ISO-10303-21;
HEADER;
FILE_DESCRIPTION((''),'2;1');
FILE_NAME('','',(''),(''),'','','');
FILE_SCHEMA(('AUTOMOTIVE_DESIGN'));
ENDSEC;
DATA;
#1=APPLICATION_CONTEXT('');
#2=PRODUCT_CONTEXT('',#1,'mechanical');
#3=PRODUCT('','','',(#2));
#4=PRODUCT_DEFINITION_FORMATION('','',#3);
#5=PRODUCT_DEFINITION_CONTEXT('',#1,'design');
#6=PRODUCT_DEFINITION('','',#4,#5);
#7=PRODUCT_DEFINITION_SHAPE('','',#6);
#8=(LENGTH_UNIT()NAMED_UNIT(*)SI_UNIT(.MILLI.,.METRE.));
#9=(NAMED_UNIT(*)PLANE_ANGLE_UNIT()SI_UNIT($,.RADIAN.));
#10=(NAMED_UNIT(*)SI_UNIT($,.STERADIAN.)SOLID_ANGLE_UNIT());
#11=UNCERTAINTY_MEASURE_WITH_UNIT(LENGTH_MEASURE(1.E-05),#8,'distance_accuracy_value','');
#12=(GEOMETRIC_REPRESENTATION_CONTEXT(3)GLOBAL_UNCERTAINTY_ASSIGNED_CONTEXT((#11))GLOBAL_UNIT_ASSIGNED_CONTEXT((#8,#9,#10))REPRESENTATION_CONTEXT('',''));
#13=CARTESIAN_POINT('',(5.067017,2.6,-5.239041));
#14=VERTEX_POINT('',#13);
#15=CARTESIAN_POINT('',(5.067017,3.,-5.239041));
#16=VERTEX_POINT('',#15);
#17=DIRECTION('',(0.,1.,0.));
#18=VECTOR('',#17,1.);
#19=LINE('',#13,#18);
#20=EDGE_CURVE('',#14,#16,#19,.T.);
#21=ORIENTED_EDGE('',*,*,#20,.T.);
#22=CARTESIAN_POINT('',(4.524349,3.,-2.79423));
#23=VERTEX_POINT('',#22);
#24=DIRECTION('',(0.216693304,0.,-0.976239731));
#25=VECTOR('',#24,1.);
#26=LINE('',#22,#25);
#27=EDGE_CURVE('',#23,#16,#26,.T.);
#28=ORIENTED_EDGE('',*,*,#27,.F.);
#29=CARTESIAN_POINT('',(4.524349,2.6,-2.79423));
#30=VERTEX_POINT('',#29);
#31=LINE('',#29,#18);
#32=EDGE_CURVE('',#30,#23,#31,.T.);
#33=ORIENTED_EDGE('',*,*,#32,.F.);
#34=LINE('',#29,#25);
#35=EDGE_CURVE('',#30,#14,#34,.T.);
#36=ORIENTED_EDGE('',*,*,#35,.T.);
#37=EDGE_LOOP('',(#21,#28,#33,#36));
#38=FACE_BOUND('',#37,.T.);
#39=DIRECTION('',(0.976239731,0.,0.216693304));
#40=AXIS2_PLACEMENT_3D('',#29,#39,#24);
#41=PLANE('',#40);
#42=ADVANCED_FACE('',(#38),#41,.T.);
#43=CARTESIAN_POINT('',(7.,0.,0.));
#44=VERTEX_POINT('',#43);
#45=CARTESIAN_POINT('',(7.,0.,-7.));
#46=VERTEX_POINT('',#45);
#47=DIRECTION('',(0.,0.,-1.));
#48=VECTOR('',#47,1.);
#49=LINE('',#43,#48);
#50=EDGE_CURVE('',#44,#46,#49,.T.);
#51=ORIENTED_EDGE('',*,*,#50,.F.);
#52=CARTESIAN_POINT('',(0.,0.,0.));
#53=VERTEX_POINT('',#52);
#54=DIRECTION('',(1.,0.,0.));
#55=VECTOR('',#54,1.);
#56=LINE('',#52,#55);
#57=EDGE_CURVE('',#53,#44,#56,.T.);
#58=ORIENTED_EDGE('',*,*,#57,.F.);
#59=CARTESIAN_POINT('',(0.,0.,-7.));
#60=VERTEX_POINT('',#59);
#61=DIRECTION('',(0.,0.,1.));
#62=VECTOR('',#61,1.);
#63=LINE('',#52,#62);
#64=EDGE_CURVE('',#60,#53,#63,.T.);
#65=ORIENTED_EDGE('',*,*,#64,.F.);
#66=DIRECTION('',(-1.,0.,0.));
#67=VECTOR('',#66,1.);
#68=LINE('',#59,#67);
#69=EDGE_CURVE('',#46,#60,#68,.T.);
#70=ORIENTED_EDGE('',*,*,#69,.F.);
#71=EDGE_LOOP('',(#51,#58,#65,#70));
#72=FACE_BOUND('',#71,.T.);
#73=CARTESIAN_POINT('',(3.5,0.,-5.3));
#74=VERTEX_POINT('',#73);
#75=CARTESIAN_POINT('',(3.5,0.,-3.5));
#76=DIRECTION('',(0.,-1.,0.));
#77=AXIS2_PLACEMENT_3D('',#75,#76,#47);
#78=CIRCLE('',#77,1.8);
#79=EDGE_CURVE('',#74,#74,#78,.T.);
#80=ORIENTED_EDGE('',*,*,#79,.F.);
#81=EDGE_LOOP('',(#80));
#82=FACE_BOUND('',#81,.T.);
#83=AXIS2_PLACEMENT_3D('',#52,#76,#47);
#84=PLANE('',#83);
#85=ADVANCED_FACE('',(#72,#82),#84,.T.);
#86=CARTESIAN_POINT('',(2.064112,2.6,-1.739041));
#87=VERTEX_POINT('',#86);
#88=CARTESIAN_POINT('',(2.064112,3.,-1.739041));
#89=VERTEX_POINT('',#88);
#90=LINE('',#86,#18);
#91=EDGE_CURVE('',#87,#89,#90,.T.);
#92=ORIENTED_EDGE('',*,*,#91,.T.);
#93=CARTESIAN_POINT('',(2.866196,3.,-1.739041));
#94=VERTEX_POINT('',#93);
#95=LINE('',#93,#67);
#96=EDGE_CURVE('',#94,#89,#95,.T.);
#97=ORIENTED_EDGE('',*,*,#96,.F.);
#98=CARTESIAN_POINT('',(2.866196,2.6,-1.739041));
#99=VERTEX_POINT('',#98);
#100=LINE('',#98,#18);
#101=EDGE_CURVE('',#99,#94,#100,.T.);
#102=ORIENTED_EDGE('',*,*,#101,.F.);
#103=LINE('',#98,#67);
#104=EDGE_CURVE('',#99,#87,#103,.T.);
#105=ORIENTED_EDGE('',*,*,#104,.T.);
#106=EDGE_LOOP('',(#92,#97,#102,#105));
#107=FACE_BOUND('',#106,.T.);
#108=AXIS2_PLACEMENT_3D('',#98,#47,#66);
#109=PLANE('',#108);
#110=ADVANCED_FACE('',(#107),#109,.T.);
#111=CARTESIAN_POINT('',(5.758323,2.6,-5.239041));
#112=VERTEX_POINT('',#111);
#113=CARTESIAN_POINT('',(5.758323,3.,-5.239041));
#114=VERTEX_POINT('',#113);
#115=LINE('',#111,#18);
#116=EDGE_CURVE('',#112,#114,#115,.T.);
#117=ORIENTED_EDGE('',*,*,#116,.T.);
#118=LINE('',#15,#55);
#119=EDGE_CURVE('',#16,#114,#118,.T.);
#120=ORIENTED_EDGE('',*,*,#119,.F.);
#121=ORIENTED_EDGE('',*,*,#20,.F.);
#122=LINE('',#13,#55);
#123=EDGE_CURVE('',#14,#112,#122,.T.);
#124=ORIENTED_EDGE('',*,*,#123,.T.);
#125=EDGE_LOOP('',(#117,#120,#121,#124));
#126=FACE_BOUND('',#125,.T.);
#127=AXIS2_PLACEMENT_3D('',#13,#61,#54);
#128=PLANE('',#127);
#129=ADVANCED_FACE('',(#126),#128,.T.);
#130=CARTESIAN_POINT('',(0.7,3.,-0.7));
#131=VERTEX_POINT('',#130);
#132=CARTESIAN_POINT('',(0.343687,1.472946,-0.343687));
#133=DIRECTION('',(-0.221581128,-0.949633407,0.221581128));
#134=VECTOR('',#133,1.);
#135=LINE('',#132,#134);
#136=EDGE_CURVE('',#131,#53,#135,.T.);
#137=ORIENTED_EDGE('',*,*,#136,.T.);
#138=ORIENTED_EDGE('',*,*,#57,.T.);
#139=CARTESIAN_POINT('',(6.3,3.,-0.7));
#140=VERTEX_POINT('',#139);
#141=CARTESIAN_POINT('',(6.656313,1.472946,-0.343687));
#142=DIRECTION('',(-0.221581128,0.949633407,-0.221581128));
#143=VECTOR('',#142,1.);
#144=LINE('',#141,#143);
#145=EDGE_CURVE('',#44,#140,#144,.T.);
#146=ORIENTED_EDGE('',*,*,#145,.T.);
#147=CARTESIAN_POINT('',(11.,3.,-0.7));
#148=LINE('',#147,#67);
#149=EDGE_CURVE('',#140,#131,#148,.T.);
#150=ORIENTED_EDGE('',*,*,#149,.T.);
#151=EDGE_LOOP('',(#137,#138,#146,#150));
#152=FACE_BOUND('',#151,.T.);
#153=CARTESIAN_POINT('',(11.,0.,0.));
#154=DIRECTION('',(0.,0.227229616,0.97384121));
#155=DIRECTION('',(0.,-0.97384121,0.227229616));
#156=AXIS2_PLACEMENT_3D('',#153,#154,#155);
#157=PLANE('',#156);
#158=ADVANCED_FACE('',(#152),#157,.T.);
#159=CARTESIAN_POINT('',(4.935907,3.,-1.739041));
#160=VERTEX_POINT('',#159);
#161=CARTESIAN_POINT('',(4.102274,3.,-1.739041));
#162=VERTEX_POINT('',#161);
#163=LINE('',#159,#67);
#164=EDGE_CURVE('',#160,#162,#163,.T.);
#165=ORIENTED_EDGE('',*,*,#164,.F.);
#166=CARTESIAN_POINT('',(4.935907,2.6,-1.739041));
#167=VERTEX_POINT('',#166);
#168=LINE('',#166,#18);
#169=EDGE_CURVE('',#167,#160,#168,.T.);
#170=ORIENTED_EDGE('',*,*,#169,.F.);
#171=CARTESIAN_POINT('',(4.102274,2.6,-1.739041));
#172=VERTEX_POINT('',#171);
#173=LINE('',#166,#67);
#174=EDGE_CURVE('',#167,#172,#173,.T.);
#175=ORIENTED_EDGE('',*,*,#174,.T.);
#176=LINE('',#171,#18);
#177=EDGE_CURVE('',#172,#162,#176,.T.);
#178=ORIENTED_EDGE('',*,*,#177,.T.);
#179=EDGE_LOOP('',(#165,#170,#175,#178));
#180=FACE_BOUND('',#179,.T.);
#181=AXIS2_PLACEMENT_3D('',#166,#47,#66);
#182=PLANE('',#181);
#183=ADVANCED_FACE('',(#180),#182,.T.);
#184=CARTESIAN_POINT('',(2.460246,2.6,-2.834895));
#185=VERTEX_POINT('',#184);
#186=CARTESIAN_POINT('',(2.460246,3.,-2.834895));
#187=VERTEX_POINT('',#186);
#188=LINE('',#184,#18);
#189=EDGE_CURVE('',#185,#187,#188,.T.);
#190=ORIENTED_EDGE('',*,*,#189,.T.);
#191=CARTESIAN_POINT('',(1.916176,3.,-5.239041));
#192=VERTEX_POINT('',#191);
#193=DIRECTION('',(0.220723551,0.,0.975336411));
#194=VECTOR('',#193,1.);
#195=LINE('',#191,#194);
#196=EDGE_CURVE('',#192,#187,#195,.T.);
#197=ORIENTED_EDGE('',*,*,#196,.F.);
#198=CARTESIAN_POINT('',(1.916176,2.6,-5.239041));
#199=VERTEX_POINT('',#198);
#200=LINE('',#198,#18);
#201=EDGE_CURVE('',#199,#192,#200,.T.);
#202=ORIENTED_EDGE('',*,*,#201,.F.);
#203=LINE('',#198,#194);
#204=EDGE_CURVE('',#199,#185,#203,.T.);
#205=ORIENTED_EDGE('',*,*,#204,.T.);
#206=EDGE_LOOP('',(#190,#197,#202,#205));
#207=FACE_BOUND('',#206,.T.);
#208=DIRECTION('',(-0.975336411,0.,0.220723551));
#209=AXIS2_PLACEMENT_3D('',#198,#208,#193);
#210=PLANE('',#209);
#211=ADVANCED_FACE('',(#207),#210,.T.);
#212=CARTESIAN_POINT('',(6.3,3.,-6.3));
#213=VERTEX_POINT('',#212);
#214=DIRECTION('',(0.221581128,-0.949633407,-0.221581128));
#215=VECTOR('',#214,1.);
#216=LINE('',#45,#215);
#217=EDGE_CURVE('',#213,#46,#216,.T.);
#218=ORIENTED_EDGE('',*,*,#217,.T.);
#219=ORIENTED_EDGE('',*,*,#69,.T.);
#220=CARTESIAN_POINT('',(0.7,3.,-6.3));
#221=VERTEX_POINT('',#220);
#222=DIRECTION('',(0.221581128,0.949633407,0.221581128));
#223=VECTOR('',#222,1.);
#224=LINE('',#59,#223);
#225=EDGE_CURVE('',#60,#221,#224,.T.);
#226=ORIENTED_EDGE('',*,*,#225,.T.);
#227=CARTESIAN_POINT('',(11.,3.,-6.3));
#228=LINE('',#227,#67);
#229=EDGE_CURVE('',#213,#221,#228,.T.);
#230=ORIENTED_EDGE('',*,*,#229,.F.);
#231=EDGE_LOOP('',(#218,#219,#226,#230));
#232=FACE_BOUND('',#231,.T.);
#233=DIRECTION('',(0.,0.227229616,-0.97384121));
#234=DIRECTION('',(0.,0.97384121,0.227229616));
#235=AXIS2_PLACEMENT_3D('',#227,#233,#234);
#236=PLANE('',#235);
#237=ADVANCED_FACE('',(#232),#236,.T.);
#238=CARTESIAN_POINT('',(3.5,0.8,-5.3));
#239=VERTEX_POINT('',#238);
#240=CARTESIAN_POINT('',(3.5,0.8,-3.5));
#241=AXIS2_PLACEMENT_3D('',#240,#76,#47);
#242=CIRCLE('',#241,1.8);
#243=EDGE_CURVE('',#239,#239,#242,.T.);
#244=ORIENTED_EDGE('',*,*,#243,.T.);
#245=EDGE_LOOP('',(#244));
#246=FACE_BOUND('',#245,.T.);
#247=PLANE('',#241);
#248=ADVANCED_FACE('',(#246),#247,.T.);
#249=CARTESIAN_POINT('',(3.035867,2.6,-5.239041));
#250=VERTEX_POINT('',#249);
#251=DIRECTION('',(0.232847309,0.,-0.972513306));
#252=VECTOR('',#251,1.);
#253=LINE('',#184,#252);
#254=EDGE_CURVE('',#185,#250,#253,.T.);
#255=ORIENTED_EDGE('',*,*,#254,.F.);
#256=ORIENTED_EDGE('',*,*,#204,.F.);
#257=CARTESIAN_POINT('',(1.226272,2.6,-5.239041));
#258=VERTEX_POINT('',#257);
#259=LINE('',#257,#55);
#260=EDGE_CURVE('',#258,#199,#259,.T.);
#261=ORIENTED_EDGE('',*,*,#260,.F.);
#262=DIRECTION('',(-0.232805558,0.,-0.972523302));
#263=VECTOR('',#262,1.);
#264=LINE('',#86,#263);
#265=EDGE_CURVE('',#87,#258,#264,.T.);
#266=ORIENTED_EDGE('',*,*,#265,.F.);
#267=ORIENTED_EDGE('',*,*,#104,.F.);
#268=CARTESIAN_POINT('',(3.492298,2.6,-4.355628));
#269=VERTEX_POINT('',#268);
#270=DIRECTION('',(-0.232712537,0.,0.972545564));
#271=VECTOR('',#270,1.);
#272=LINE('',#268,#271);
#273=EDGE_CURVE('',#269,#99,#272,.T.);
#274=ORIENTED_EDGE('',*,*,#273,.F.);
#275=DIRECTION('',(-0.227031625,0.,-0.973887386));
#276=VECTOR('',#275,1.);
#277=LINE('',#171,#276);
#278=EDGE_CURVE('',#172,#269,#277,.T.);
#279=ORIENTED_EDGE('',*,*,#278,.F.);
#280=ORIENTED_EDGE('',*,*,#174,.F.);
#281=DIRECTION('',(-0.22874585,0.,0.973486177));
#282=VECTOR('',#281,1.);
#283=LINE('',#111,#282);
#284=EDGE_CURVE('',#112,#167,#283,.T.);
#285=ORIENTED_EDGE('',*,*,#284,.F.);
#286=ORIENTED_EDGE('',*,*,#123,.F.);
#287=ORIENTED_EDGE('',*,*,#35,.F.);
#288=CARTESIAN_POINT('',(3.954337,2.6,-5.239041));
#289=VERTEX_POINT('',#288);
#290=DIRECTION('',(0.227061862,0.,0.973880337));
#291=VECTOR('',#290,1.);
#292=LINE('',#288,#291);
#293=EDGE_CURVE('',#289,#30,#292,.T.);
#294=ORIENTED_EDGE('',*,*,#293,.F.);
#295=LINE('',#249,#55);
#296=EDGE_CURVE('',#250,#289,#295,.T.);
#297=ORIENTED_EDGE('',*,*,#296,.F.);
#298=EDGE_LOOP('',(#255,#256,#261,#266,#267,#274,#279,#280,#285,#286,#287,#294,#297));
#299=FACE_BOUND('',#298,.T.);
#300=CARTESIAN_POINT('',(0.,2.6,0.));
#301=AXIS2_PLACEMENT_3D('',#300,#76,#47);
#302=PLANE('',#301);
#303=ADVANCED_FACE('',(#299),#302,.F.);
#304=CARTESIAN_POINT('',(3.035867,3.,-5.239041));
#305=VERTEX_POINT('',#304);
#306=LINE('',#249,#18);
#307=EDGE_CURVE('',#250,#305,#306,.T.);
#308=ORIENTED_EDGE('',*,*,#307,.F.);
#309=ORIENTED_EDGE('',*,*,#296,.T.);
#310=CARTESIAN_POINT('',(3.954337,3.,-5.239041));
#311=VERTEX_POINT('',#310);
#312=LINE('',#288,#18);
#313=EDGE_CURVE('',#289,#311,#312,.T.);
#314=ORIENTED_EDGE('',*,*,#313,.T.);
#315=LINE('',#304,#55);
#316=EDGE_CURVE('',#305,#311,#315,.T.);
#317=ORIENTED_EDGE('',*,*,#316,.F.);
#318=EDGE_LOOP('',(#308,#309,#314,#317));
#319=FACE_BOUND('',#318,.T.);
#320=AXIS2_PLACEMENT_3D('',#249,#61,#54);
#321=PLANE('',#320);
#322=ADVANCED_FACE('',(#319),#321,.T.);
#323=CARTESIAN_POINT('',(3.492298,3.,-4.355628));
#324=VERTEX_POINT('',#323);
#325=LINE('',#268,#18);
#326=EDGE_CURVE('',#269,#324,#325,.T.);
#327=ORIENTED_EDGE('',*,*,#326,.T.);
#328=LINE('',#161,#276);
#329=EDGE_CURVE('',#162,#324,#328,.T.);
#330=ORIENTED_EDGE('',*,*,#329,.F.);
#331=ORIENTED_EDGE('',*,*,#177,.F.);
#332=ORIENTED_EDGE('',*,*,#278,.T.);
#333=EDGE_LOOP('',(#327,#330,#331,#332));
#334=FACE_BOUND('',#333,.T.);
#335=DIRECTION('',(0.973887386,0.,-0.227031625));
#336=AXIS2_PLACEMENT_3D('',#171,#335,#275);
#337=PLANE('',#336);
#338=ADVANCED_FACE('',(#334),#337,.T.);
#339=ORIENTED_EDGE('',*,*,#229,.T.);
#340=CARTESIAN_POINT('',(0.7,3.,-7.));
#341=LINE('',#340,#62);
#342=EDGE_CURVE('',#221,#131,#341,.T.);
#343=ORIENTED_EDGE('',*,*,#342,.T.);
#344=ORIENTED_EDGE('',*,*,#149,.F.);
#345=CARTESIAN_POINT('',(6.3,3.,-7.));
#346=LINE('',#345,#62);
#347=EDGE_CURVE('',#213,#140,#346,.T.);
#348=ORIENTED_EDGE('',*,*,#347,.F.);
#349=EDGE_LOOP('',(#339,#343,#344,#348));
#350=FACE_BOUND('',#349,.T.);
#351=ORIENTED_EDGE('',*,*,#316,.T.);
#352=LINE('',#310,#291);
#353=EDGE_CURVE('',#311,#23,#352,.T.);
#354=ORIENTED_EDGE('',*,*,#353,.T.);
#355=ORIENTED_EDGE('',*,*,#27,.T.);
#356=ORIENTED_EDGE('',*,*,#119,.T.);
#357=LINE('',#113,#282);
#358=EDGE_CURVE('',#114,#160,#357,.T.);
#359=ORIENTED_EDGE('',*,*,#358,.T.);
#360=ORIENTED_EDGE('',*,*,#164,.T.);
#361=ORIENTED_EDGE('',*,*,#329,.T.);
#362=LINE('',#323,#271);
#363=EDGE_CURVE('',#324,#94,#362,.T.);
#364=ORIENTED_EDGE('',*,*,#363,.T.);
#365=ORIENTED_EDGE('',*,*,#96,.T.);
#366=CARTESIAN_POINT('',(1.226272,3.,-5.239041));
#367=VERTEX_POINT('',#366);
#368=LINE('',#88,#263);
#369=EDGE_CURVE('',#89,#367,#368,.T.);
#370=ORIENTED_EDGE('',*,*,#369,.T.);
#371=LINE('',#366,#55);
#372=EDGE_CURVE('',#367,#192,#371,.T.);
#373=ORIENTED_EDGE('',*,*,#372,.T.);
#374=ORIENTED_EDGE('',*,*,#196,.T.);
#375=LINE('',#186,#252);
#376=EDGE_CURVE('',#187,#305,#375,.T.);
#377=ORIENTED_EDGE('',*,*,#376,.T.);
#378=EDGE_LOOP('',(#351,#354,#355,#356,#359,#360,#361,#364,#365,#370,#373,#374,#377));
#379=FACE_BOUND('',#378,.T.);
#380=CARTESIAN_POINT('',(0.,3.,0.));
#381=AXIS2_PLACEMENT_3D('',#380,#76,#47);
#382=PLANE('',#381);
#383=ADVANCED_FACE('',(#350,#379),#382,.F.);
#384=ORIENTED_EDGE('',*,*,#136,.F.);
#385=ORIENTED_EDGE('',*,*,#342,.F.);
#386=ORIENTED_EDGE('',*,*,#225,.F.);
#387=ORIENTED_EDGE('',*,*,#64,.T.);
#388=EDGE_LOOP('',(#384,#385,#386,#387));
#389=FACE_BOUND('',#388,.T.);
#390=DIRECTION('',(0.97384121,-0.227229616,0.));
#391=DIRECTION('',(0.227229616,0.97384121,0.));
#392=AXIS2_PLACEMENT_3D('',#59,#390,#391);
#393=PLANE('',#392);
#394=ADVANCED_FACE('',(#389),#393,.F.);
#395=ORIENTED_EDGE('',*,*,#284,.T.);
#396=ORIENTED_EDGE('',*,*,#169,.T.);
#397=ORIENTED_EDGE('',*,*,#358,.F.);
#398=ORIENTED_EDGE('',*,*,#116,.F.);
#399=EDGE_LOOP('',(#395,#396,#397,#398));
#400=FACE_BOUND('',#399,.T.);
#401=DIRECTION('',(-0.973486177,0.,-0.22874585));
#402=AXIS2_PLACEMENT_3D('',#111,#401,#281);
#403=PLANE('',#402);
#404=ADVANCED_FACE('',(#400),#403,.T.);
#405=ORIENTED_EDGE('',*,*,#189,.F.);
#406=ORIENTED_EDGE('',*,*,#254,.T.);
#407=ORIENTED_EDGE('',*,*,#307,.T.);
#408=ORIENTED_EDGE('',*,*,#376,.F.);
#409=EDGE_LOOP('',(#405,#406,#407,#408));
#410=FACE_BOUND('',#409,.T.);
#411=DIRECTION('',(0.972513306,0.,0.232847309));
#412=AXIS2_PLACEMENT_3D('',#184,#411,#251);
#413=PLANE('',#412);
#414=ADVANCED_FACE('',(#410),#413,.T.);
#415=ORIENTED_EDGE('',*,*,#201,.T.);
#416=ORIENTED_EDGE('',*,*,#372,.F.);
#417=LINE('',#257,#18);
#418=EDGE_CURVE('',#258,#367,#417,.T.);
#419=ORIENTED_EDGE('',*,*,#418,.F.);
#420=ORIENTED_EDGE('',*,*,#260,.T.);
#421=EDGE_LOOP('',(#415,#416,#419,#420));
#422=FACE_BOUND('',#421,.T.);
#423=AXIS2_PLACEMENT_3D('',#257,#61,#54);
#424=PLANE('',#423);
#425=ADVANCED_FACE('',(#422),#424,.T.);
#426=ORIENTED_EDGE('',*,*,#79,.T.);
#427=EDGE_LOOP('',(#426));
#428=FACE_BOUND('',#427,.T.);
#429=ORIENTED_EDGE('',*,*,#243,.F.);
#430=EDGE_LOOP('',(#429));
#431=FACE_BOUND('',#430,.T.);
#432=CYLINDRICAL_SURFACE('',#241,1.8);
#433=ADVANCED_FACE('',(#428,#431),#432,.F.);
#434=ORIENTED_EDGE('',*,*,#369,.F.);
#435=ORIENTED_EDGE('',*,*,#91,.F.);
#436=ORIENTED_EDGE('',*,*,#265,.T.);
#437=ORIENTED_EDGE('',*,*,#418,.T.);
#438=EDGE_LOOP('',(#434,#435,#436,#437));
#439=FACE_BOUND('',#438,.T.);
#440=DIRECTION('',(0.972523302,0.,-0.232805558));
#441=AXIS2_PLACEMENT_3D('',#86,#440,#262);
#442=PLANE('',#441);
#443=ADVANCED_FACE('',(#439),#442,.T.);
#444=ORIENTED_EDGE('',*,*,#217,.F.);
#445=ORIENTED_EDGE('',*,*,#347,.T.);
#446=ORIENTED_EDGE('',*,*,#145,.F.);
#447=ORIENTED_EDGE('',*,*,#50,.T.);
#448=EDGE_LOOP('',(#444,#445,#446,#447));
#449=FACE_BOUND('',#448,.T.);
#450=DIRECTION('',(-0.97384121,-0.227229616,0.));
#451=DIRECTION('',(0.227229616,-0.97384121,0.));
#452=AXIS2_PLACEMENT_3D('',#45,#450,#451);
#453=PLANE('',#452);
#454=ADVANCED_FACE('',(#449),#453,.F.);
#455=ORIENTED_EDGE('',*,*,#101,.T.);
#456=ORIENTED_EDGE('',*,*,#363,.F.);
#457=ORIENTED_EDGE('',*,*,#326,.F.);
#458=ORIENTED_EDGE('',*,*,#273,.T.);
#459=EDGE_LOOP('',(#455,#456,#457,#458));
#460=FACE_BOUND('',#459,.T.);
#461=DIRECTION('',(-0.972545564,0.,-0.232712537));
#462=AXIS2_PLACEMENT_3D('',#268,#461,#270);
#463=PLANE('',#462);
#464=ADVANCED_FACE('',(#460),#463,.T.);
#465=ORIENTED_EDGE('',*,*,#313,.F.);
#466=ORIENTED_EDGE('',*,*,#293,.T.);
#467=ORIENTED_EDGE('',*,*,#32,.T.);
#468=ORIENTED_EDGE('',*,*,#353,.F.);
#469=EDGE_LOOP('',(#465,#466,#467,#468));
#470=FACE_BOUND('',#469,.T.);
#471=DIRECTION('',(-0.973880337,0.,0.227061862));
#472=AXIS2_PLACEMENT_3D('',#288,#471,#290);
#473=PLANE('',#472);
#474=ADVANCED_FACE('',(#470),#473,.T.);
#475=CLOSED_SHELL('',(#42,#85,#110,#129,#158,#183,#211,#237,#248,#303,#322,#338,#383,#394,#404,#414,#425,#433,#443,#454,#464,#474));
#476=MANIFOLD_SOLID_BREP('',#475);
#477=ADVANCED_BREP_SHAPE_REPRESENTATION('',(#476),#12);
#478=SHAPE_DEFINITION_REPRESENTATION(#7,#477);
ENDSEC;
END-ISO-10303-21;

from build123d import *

# Parameters (mm, degrees)
SKETCH1_W           = 7
SKETCH1_H           = 7
BOSS_EXTRUDE1_DEPTH = 3
CUT_EXTRUDE1_DEPTH  = 7
CUT_EXTRUDE2_DEPTH  = 11
SKETCH4_R           = 1.8
CUT_EXTRUDE3_DEPTH  = 0.8
CUT_EXTRUDE4_DEPTH  = 0.4


with BuildPart() as part:
    # Sketch1 → Boss-Extrude1 (new body)
    with BuildSketch(Plane(origin=(0, 0, 0), x_dir=(1, 0, 0), z_dir=(0, 1, 0))):
        with Locations((3.5, 3.5)):
            Rectangle(SKETCH1_W, SKETCH1_H)
    extrude(amount=BOSS_EXTRUDE1_DEPTH)

    # Sketch2 → Cut-Extrude1 (cut)
    with BuildSketch(Plane.XY):
        Polygon((0, 0), (0.7, 3), (0, 3), align=None)
        Polygon((7, 0), (6.3, 3), (7, 3), align=None)
    extrude(amount=-CUT_EXTRUDE1_DEPTH, mode=Mode.SUBTRACT)

    # Sketch3 → Cut-Extrude2 (cut)
    with BuildSketch(Plane(origin=(0, 0, 0), x_dir=(0, 0, -1), z_dir=(1, 0, 0))):
        Polygon((0, 0), (0.7, 3), (0, 3), align=None)
        Polygon((7, 3), (6.3, 3), (7, 0), align=None)
    extrude(amount=CUT_EXTRUDE2_DEPTH, mode=Mode.SUBTRACT)

    # Sketch4 → Cut-Extrude3 (cut)
    with BuildSketch(Plane.XZ):
        with Locations(Location((3.5, -3.5, 0), (0, 0, 270))):
            Circle(SKETCH4_R)
    extrude(amount=-CUT_EXTRUDE3_DEPTH, mode=Mode.SUBTRACT)

    # Sketch5 → Cut-Extrude4 (cut)
    with BuildSketch(Plane(origin=(0, 3, 0), x_dir=(1, 0, 0), z_dir=(0, 1, 0))):
        Polygon((2.064112454, 1.739041449), (1.226271909, 5.239041449), (1.916175755, 5.239041449), (2.460246268, 2.834894814), (3.035867261, 5.239041449), (3.954336813, 5.239041449), (4.524348832, 2.79422975), (5.067017101, 5.239041449), (5.758323191, 5.239041449), (4.935907325, 1.739041449), (4.102273511, 1.739041449), (3.49229755, 4.355627987), (2.866195787, 1.739041449), align=None)
    extrude(amount=-CUT_EXTRUDE4_DEPTH, mode=Mode.SUBTRACT)


solid = part.part
